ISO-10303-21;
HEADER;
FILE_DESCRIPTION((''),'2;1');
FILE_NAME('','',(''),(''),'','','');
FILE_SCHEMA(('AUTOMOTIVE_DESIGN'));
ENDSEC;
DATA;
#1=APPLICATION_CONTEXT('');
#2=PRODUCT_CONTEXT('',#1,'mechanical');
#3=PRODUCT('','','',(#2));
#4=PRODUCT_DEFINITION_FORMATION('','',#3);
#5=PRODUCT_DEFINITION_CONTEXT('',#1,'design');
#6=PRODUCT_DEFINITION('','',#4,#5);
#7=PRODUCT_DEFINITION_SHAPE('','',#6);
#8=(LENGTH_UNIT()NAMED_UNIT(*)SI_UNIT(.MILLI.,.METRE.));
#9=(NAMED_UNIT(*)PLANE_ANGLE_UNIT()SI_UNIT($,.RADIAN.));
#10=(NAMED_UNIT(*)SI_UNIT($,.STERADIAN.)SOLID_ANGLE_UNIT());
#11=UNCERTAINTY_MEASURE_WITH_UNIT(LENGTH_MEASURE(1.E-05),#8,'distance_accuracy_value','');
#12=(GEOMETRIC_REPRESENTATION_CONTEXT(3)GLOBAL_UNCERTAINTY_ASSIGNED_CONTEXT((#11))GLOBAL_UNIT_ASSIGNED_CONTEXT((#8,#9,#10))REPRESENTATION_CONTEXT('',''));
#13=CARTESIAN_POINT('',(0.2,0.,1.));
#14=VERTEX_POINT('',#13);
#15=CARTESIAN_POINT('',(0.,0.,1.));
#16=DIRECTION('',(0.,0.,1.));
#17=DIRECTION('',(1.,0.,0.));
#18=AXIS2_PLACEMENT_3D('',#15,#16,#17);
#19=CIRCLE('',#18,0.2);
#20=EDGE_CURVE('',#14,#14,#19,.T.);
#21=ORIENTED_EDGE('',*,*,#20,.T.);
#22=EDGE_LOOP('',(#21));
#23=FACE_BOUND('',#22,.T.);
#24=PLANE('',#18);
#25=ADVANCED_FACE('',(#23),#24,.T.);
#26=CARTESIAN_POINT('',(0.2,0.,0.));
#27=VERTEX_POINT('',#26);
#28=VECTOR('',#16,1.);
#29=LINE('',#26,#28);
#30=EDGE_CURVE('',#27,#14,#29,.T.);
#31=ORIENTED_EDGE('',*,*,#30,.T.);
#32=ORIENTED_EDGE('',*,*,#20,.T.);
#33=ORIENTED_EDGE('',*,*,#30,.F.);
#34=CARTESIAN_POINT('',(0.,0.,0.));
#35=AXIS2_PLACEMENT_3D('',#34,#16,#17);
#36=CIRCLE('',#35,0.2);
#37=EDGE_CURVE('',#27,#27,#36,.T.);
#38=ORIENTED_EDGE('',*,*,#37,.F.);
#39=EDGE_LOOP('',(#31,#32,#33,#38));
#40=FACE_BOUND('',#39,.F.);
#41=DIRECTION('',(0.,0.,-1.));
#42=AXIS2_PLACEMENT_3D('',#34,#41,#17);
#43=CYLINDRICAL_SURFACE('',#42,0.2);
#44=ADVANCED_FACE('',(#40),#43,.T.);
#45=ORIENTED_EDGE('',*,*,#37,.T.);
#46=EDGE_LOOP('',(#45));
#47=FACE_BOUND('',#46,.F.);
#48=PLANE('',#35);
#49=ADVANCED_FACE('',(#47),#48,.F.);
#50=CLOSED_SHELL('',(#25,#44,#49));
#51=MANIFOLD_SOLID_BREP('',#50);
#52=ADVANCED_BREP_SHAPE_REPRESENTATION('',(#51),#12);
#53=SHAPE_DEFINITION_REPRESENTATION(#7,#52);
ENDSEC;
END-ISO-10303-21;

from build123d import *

# Parameters (mm, degrees)
ESQUISSE1_R        = 0.2
BOSS_EXTRU_1_DEPTH = 1


with BuildPart() as part:
    # Esquisse1 → Boss.-Extru.1 (new body)
    with BuildSketch(Plane.XY):
        Circle(ESQUISSE1_R)
    extrude(amount=BOSS_EXTRU_1_DEPTH)


solid = part.part
